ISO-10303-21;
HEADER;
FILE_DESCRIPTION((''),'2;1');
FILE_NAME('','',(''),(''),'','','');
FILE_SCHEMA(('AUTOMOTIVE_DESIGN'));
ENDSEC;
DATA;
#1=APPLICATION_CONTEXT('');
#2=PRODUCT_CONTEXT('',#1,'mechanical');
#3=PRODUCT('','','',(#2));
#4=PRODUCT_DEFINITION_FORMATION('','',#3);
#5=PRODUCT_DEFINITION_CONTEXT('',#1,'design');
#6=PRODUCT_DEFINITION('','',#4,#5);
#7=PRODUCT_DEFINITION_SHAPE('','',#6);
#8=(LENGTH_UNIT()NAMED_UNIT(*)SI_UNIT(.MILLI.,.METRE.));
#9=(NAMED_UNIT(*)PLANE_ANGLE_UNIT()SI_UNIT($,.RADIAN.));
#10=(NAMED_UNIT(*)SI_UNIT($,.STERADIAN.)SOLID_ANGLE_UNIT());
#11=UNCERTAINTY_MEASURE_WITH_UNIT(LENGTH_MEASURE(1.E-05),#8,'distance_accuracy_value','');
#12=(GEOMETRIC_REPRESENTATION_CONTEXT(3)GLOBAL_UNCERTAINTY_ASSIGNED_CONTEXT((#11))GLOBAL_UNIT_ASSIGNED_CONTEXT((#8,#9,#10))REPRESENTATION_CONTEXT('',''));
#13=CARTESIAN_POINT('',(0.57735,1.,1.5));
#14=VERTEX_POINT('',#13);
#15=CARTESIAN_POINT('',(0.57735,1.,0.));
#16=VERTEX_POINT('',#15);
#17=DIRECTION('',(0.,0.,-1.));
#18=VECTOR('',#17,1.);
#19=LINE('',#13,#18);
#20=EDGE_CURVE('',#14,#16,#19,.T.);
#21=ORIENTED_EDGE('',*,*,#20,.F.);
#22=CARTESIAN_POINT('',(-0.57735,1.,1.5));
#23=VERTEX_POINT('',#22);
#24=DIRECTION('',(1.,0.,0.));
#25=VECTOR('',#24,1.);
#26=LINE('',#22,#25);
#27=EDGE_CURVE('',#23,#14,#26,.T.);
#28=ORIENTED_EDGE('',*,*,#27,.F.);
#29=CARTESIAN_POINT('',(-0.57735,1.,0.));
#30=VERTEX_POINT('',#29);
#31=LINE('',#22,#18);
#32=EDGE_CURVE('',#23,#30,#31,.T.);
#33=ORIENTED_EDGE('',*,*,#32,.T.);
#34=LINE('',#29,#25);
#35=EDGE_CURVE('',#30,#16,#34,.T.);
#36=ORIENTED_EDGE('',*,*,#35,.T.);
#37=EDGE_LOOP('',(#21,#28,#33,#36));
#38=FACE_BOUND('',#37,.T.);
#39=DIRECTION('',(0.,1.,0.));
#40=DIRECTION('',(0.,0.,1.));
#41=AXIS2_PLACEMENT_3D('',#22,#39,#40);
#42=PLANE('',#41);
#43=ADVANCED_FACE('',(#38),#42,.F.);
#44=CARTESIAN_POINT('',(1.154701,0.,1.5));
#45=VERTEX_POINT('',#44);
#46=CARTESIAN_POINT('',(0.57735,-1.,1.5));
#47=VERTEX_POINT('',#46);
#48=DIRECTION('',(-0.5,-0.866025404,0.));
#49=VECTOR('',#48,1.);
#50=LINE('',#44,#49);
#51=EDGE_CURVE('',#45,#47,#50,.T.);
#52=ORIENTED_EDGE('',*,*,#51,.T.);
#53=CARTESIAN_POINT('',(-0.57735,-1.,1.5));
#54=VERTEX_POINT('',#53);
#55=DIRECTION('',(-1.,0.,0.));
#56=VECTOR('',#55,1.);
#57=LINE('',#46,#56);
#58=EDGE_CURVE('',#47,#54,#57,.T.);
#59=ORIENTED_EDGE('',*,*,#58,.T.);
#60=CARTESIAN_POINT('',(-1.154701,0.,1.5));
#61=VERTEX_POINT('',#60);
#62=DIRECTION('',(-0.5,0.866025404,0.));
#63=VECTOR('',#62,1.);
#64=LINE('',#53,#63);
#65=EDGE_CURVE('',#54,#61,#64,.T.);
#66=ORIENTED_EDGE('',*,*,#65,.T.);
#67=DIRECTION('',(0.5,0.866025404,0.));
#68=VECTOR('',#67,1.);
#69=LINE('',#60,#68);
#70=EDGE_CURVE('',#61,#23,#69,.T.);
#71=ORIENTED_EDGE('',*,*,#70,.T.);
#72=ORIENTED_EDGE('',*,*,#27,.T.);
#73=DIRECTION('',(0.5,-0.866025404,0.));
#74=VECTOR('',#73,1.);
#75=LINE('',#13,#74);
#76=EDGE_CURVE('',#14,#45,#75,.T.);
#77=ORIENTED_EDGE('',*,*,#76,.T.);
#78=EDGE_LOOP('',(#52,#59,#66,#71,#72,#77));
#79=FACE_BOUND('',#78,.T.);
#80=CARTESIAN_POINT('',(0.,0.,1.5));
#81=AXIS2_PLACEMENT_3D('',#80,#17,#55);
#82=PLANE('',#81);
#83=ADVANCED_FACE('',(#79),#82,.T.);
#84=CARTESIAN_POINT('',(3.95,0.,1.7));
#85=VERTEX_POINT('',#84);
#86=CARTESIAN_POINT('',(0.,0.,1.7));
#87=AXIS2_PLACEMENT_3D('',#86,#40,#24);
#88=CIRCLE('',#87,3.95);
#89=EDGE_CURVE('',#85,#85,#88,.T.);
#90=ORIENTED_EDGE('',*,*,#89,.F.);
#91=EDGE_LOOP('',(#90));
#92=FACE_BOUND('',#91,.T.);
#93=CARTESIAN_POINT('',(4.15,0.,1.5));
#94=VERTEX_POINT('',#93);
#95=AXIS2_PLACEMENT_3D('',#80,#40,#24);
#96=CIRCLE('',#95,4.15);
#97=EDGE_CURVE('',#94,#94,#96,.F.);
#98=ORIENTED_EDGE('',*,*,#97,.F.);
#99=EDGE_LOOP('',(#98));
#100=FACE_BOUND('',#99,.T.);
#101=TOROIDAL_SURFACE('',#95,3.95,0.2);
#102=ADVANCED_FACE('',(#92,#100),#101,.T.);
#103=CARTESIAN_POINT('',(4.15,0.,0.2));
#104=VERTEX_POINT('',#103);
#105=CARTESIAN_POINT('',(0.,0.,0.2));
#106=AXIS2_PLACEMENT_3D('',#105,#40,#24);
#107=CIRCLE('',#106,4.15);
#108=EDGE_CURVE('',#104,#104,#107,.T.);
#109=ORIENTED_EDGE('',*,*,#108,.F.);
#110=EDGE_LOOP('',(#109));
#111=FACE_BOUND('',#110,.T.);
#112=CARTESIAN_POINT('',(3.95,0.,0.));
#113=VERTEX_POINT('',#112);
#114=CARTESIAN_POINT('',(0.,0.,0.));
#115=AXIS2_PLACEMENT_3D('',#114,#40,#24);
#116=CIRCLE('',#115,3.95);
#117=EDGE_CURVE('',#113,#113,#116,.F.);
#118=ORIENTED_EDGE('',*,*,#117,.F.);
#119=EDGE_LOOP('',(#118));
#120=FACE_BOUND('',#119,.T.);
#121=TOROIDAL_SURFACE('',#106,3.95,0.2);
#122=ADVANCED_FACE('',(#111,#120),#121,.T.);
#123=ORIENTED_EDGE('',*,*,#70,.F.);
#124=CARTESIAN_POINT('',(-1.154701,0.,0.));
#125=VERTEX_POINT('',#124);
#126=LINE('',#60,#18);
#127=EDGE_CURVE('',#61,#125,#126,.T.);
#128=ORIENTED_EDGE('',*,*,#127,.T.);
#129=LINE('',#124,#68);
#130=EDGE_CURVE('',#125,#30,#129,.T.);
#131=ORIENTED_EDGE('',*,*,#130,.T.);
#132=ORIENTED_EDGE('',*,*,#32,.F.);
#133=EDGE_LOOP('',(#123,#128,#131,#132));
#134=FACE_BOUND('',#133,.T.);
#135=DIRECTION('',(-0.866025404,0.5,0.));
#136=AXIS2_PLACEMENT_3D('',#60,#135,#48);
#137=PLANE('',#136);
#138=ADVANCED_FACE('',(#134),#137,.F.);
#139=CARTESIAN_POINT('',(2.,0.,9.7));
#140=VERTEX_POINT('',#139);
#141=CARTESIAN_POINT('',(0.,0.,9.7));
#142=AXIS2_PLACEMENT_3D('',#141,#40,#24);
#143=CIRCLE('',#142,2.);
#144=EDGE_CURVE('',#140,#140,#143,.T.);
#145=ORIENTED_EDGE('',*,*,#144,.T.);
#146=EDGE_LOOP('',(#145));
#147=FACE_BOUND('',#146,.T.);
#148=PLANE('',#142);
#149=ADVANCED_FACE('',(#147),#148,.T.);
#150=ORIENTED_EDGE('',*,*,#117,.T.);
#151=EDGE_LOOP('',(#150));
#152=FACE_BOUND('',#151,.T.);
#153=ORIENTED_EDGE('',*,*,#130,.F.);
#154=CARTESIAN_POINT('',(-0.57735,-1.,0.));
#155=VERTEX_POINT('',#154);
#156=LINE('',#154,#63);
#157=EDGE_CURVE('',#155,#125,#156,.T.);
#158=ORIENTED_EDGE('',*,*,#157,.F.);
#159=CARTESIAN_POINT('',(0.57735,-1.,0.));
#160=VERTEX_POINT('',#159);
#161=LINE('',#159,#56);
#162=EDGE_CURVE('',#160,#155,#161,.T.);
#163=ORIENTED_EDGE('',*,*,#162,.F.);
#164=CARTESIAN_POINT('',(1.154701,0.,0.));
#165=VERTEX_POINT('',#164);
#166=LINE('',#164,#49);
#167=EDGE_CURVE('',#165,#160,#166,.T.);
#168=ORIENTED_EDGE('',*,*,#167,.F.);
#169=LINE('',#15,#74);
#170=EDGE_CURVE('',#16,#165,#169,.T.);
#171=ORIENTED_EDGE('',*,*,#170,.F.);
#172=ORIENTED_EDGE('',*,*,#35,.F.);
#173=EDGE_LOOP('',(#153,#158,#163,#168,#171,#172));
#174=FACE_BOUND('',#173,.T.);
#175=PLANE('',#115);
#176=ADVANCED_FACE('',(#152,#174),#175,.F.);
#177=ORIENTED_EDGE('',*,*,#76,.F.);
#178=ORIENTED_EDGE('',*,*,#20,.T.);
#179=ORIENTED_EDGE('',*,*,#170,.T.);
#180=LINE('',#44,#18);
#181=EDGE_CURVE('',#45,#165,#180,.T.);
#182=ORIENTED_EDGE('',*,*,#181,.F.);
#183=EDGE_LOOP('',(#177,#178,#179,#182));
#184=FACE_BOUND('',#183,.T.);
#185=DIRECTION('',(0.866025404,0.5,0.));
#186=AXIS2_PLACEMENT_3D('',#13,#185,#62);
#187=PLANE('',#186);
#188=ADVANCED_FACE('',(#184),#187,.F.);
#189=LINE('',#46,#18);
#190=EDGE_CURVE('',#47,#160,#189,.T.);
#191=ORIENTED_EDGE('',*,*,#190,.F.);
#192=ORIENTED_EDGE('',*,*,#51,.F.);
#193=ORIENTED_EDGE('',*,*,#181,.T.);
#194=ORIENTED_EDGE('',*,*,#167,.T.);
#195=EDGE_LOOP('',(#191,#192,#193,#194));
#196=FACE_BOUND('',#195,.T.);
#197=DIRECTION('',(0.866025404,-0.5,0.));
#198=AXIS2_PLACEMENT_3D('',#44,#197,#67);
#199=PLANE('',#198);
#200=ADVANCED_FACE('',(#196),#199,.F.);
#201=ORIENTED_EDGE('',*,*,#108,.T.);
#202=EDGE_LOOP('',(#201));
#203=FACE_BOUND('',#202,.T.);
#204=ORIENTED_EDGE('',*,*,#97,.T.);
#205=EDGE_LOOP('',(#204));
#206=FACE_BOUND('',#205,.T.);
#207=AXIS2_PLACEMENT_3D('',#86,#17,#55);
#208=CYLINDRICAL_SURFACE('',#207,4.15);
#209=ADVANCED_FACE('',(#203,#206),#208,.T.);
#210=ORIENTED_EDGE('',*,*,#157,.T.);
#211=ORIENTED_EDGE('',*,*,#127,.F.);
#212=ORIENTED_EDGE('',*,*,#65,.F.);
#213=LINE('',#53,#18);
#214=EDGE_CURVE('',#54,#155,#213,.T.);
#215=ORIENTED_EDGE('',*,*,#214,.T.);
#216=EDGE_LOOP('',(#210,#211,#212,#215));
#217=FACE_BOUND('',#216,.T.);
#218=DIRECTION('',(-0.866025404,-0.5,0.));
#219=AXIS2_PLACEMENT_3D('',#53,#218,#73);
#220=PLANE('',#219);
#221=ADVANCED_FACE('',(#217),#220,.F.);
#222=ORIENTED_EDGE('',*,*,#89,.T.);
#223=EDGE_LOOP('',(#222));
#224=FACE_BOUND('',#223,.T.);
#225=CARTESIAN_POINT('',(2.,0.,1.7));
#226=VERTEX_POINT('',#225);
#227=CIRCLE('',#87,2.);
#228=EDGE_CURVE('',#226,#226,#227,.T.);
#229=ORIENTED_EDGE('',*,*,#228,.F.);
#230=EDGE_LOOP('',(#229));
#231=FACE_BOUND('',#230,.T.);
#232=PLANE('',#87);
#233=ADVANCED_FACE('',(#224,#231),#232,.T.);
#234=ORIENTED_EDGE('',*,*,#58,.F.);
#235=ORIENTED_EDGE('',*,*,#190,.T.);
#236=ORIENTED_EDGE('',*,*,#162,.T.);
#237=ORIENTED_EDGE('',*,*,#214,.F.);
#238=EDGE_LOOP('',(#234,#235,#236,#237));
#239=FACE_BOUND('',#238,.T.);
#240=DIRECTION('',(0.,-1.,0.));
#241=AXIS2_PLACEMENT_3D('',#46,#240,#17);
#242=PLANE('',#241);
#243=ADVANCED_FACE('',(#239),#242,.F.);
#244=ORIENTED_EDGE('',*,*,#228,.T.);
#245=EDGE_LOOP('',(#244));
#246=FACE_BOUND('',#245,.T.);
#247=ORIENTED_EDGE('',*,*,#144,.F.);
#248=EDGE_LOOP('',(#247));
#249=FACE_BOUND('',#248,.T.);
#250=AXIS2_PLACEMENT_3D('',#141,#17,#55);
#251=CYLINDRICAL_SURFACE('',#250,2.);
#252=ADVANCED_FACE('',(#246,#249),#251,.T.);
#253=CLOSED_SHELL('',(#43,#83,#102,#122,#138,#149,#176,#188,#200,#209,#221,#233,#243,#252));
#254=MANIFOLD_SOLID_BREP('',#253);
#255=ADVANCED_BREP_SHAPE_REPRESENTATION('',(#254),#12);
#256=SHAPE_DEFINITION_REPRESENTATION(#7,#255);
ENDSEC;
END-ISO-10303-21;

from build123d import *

# Parameters (mm, degrees)
SKETCH_1_R          = 4.15
EXTRUDE_1_DEPTH     = 1.7
SKETCH_2_R          = 2
EXTRUDE_2_DEPTH     = 8
FILLET_1_R          = 0.2
CUT_EXTRUDE_1_DEPTH = 1.5


with BuildPart() as part:
    # 草图1 → 凸台-拉伸1 (new body)
    with BuildSketch(Plane.XY):
        Circle(SKETCH_1_R)
    extrude(amount=EXTRUDE_1_DEPTH)

    # 草图2 → 凸台-拉伸2 (add)
    with BuildSketch(Plane.XY.offset(1.7)):
        Circle(SKETCH_2_R)
    extrude(amount=EXTRUDE_2_DEPTH)

    # 圆角1
    fillet_1_edges = [part.edges().sort_by_distance(p)[0] for p in [
        (-4.15, 0, 0),
        (-4.15, 0, 1.7),
    ]]
    fillet(fillet_1_edges, radius=FILLET_1_R)

    # 草图3 → 切除-拉伸1 (cut)
    with BuildSketch(Plane(origin=(0, 0, 0), x_dir=(-1, 0, 0), z_dir=(0, 0, -1))):
        Polygon((1.154700538, 0), (0.577350269, 1), (-0.577350269, 1), (-1.154700538, 0), (-0.577350269, -1), (0.577350269, -1), align=None)
    extrude(amount=-CUT_EXTRUDE_1_DEPTH, mode=Mode.SUBTRACT)


solid = part.part
